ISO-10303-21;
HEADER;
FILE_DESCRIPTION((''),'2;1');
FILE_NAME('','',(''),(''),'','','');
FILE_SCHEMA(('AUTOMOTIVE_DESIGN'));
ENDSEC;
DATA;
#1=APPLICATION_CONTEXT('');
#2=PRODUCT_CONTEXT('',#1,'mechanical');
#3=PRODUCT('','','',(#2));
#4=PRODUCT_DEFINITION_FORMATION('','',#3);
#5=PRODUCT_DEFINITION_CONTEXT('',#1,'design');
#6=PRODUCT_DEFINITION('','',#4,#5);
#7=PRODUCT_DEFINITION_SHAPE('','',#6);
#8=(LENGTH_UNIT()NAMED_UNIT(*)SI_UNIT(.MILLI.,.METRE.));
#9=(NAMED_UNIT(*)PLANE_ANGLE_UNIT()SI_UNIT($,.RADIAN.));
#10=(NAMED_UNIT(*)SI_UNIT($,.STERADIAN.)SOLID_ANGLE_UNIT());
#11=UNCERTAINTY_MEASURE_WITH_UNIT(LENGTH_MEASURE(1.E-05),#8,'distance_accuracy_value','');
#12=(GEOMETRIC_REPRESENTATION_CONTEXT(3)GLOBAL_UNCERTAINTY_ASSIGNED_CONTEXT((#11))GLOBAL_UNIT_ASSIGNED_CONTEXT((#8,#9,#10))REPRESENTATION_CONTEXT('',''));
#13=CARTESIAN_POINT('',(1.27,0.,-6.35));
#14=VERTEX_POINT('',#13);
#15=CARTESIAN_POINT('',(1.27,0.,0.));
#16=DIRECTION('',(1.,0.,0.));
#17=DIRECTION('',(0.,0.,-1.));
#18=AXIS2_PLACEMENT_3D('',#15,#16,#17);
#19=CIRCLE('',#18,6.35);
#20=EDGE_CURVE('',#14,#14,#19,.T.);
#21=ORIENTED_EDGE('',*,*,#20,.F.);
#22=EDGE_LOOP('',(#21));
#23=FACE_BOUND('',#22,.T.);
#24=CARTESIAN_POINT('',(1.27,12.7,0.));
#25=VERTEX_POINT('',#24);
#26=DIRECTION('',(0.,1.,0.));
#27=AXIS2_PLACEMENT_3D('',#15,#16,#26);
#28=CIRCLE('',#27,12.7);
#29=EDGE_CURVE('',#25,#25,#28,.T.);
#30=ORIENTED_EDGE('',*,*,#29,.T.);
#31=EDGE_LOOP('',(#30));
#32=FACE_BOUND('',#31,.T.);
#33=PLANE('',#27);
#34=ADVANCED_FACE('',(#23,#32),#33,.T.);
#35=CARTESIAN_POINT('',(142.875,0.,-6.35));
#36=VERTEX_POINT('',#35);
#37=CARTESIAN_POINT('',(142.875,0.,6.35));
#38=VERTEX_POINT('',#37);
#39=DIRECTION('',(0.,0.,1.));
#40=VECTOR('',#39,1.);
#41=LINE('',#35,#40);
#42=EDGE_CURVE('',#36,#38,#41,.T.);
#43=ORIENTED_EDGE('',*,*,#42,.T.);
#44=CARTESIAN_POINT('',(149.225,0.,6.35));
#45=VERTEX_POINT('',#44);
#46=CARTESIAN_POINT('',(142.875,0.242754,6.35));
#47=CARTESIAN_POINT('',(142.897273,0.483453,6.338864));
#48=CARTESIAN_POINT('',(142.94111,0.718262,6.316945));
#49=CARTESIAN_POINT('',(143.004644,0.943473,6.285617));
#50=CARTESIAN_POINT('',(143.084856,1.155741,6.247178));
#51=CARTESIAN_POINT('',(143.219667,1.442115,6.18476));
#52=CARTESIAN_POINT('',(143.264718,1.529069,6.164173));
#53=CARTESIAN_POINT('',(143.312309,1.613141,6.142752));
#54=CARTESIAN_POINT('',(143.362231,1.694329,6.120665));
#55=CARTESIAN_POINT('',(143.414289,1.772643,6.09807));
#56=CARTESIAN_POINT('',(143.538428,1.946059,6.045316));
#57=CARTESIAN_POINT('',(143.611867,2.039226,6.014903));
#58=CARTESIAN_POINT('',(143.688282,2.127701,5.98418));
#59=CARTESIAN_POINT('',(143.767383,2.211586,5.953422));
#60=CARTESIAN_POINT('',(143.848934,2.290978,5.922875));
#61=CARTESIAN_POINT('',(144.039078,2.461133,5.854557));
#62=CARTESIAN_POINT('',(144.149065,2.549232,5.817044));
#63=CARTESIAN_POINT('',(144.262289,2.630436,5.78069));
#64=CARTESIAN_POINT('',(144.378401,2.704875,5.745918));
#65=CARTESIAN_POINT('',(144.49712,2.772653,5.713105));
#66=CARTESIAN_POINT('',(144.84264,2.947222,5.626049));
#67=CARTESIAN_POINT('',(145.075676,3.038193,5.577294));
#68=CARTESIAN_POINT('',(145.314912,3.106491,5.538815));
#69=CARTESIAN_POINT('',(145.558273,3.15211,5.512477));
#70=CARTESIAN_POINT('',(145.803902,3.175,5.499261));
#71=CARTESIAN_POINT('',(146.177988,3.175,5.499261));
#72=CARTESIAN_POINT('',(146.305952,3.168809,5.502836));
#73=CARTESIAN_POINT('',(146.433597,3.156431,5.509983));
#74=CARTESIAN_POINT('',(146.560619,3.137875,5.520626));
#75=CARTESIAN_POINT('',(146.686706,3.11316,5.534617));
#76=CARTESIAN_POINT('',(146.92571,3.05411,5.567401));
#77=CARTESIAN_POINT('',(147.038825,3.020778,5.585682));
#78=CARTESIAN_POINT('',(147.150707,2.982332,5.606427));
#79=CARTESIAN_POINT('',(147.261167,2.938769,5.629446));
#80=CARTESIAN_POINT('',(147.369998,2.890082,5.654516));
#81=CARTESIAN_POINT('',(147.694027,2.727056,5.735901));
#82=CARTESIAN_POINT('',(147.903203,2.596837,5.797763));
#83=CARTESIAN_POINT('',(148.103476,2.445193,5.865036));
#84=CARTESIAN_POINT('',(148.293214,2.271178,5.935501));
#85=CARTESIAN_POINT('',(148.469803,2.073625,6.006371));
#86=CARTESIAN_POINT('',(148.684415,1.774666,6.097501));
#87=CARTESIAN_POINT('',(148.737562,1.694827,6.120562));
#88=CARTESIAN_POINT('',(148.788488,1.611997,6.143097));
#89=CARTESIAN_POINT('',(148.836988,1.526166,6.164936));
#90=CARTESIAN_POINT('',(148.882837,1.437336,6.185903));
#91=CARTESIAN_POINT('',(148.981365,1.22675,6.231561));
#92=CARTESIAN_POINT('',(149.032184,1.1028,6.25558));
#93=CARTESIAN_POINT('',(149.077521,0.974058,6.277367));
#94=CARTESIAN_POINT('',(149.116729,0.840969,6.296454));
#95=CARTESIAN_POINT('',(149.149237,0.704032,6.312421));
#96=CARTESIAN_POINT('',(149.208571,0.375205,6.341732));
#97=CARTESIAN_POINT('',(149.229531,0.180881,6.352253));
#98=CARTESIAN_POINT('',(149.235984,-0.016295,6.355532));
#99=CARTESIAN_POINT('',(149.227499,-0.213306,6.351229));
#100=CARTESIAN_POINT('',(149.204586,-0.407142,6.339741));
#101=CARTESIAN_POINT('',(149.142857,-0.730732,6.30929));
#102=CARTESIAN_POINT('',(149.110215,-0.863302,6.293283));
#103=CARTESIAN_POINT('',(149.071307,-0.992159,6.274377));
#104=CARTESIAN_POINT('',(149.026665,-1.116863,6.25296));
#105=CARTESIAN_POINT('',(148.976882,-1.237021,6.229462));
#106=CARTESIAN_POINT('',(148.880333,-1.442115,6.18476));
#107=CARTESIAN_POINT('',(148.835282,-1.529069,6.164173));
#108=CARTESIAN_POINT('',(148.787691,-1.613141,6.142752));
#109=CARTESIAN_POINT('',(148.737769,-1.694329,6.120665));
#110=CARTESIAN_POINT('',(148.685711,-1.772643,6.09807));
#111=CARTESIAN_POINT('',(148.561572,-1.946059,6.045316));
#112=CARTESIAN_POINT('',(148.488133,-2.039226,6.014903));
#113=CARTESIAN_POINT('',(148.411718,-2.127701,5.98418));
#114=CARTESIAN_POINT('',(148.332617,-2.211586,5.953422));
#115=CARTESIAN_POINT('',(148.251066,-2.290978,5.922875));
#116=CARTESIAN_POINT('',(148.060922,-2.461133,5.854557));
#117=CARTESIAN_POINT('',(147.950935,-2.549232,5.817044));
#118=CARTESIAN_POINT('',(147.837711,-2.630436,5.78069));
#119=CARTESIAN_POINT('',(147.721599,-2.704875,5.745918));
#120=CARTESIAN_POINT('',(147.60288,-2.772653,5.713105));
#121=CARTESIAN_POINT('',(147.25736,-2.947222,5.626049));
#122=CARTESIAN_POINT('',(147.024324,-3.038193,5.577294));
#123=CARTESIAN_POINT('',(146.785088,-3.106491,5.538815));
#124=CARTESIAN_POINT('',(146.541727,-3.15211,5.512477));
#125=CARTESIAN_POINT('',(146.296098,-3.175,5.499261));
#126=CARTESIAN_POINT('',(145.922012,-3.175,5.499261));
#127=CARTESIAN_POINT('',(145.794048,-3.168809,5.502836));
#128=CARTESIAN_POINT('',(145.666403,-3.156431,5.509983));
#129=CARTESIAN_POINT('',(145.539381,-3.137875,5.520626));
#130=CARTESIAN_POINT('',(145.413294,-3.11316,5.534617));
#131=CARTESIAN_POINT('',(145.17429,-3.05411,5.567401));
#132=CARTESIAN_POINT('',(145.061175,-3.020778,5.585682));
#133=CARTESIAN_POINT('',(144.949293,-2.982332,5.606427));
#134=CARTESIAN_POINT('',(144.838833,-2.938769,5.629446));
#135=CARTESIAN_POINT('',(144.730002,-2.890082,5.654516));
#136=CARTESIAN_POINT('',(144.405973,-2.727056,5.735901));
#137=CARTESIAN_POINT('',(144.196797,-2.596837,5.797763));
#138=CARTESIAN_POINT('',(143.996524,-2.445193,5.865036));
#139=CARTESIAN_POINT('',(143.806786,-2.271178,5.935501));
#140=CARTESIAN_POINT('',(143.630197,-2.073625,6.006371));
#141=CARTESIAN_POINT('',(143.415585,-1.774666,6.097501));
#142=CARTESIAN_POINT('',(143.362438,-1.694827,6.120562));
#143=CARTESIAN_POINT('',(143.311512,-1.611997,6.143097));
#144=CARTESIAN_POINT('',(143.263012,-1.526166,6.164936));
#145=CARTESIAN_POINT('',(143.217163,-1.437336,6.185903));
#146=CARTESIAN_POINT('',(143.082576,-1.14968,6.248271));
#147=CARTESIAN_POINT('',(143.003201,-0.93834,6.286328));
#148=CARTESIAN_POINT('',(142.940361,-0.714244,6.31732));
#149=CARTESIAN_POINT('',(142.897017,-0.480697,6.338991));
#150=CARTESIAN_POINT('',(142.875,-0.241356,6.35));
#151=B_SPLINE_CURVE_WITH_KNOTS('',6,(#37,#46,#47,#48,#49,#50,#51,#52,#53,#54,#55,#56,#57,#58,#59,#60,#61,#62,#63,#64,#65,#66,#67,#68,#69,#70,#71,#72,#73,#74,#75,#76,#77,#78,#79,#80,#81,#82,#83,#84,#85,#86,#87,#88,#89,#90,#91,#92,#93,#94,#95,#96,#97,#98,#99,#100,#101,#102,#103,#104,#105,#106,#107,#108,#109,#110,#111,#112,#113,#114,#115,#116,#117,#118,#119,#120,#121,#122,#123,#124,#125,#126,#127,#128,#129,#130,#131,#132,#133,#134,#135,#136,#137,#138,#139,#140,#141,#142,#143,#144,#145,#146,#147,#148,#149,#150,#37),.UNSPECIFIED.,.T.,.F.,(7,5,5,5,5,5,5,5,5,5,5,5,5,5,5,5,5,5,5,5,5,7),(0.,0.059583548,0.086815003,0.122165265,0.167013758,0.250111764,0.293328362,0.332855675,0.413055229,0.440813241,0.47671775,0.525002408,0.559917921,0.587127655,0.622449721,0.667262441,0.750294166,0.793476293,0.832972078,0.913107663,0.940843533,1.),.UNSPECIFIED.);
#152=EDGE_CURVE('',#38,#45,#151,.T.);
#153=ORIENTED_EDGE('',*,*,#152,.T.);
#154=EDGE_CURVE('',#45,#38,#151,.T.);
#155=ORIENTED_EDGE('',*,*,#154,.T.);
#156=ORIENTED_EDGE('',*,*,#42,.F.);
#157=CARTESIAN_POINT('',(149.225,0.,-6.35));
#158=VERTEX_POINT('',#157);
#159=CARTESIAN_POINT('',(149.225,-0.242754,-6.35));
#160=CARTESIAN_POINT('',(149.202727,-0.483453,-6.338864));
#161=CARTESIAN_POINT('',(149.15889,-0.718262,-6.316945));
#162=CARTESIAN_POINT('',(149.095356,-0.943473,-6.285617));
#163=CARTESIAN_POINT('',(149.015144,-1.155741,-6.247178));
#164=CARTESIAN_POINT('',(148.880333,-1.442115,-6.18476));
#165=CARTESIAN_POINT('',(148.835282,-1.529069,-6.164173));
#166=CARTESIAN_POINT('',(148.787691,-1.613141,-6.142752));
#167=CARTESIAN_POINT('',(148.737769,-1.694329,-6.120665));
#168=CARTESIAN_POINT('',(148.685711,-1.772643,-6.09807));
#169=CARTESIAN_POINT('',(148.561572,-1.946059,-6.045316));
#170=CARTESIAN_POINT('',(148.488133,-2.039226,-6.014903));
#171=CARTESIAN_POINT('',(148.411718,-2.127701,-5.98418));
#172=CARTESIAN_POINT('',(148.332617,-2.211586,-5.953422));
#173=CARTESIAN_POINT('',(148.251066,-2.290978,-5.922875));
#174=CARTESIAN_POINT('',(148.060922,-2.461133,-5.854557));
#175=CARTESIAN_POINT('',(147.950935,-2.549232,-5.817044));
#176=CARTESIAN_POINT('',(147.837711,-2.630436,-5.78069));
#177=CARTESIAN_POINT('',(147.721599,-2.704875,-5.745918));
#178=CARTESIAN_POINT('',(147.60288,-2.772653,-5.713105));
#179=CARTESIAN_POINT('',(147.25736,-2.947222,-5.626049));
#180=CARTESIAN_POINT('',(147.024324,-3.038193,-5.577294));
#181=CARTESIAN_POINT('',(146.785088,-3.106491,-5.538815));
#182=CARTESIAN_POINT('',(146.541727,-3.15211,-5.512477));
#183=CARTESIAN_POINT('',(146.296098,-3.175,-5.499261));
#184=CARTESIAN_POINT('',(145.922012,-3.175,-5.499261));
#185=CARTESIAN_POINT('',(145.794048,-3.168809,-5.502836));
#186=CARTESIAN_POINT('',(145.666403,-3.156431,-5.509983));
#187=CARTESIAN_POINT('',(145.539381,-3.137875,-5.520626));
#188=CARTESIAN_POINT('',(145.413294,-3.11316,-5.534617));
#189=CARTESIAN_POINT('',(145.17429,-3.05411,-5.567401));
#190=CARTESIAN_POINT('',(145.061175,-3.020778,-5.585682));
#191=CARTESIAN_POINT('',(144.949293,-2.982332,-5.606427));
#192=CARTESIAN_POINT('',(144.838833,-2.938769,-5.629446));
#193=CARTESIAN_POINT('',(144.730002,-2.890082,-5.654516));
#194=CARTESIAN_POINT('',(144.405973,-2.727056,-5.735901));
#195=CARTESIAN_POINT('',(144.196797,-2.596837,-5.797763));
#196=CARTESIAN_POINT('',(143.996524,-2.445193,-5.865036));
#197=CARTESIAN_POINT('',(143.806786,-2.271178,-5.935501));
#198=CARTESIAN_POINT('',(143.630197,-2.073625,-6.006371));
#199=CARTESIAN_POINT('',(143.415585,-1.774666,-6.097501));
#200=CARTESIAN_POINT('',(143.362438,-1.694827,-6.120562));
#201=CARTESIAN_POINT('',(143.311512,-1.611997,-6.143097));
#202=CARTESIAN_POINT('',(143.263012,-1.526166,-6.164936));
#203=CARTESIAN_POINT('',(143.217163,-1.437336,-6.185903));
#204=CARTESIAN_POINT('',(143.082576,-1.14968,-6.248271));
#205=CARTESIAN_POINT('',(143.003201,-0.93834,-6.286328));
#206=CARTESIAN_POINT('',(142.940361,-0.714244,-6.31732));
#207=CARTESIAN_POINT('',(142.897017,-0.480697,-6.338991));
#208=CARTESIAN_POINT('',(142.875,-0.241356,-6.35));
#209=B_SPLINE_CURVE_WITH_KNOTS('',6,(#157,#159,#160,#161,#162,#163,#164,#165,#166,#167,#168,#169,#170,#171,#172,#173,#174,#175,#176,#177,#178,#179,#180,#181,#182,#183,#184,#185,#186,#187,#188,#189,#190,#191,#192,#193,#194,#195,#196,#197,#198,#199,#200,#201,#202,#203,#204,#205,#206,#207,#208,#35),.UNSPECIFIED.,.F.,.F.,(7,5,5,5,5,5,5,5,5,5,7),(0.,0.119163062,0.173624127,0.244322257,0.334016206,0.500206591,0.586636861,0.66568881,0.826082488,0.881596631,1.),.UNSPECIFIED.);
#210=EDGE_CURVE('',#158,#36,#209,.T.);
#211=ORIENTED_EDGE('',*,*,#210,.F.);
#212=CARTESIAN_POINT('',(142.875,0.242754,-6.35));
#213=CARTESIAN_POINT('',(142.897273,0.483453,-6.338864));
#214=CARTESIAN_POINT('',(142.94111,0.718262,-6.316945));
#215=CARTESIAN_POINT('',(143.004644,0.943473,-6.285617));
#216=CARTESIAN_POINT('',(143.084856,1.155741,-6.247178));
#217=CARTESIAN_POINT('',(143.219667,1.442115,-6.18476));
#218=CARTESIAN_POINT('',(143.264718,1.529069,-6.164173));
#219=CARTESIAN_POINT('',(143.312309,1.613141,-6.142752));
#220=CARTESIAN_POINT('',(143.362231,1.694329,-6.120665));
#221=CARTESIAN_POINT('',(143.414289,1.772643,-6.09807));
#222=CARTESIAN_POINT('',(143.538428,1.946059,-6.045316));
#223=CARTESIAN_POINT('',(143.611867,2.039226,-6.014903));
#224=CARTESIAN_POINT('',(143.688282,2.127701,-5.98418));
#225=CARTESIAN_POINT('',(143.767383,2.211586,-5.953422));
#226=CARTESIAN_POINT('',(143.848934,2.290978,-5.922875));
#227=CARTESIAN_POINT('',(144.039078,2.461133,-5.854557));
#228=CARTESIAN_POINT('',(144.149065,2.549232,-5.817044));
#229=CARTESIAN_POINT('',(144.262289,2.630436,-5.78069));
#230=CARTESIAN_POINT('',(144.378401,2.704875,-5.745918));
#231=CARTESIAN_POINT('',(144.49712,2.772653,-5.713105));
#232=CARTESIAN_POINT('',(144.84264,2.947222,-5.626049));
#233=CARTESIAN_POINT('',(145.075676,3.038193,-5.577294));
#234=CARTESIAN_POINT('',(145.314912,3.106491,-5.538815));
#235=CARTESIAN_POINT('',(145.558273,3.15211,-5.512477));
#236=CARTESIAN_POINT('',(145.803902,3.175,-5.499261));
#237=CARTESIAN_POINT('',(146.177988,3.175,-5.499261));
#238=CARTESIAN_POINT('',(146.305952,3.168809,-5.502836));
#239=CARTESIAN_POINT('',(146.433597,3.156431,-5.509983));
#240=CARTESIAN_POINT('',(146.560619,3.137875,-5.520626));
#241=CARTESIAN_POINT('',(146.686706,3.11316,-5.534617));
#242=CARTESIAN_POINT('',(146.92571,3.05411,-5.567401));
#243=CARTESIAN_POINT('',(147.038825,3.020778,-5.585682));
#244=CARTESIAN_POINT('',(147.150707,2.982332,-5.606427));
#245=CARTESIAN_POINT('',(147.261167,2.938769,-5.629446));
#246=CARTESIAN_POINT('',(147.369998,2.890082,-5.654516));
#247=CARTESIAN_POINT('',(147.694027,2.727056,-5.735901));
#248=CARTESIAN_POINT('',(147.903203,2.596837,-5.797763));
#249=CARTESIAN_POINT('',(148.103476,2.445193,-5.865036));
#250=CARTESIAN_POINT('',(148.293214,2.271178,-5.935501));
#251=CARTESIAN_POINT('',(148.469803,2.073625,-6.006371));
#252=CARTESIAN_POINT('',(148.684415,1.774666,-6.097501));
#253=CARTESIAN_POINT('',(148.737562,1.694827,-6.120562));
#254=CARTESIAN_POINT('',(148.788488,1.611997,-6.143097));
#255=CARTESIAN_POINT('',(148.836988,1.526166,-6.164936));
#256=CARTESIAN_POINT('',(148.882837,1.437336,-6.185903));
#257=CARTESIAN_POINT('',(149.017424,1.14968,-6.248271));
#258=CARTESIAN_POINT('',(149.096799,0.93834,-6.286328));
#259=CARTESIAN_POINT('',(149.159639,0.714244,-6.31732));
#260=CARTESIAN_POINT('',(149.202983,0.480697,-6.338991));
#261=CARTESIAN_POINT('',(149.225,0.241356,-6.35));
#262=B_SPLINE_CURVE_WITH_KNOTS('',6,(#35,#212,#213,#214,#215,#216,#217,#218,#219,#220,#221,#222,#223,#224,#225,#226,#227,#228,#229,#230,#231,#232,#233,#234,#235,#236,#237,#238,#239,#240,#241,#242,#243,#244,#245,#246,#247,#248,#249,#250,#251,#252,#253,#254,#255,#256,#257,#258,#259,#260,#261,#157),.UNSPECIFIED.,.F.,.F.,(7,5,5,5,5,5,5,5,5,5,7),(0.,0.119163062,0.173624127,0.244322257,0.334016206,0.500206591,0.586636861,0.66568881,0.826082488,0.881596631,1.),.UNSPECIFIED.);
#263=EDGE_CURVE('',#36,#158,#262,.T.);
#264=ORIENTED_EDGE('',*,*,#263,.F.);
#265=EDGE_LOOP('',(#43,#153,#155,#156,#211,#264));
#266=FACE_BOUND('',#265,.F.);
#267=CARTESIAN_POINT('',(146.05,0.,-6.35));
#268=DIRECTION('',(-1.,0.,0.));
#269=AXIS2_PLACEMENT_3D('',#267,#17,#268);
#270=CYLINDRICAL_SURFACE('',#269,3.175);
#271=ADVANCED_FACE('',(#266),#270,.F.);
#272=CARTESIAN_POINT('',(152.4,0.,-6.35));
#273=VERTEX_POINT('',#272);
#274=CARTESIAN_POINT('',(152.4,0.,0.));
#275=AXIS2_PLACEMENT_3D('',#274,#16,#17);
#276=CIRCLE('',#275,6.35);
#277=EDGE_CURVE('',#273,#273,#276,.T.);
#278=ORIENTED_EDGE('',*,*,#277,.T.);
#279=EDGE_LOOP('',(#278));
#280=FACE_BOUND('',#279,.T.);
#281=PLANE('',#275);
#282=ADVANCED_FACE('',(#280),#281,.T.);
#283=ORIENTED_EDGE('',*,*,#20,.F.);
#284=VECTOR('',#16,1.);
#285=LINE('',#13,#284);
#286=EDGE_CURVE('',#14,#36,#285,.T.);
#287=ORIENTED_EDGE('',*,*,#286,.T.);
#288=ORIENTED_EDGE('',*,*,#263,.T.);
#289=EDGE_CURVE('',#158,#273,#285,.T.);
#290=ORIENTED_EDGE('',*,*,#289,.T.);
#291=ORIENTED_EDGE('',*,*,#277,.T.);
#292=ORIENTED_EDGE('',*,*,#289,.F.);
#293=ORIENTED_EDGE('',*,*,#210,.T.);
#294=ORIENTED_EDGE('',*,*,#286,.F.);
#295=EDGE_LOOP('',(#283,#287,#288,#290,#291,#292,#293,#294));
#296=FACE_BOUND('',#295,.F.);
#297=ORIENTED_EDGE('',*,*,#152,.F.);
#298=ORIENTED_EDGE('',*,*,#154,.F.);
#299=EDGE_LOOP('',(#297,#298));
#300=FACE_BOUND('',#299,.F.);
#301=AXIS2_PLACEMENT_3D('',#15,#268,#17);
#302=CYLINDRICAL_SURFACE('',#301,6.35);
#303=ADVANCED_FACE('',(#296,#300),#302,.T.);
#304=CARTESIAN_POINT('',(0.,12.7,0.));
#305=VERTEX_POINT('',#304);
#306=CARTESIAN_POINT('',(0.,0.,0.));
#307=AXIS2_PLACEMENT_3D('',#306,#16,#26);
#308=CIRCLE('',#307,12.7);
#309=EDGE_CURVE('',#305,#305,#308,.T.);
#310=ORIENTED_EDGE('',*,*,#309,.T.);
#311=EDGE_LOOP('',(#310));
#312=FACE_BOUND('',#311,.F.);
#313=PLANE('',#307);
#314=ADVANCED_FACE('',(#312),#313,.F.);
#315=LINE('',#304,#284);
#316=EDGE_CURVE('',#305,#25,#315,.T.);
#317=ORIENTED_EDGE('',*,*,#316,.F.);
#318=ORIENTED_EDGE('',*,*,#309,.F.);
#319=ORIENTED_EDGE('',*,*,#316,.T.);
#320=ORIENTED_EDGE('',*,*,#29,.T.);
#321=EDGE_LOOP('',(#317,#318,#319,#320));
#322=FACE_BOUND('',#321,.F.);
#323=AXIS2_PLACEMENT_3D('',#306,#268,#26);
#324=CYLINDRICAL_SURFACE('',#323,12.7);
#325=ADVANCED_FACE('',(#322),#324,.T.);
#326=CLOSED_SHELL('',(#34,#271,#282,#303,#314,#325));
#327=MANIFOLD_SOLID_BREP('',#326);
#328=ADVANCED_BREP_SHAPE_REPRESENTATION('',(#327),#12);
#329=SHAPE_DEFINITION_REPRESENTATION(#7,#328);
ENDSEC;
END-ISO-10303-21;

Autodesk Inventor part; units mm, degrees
ref_plane "YZ Plane" through (0, 0, 0) normal (1, 0, 0) x (0, 1, 0)
ref_plane "XZ Plane" through (0, 0, 0) normal (0, 1, 0) x (-1, 0, 0)
sketch "Sketch1" plane through (0, 0, 0) normal (1, 0, 0) x (0, 1, 0)
  circle A0 centre (0, 0) radius 12.7
  dimension "d0" = 25.4
extrude "Extrusion1" add sketch "Sketch1" along normal blind 1.27
sketch "Sketch2" plane through (1.27, 0, 0) normal (1, 0, 0) x (0, 0, -1)
  circle A0 centre (0, 0) radius 6.35
  dimension "d3" = 12.7
extrude "Extrusion2" add sketch "Sketch2" along normal blind 151.13
sketch "Sketch3" plane through (152.4, 0, 0) normal (1, 0, 0) x (0, 0, -1)
  circle A0 centre (0, 0) radius 6.35 projected
  circle A1 centre (0, 0) radius 6.35 projected
  point P0 (-6.35, 0)
  point P1 (6.35, 0)
ref_plane "Work Plane3" through (152.4, 0, 0) normal (0, 0, -1) x (-1, 0, 0)
ref_plane "Work Plane1" through (152.4, 0, 6.35) normal (0, 0, 1) x (1, 0, 0)
ref_plane "Work Plane2" through (152.4, 0, -6.35) normal (0, 0, -1) x (-1, 0, 0)
sketch "Sketch4" plane through (152.4, 0, -6.35) normal (0, 0, -1) x (-1, 0, 0)
  circle A0 centre (6.35, 0) radius 3.175
  line L0 (0, 6.35) -> (0, -6.35) projected
  point P0 (152.4, 0)
  dimension "d6" = 6.35
  dimension "d7" = 6.35
extrude "Extrusion3" cut sketch "Sketch4" against normal blind 12.7
properties part number "Intake Basic Piston - Inner"
